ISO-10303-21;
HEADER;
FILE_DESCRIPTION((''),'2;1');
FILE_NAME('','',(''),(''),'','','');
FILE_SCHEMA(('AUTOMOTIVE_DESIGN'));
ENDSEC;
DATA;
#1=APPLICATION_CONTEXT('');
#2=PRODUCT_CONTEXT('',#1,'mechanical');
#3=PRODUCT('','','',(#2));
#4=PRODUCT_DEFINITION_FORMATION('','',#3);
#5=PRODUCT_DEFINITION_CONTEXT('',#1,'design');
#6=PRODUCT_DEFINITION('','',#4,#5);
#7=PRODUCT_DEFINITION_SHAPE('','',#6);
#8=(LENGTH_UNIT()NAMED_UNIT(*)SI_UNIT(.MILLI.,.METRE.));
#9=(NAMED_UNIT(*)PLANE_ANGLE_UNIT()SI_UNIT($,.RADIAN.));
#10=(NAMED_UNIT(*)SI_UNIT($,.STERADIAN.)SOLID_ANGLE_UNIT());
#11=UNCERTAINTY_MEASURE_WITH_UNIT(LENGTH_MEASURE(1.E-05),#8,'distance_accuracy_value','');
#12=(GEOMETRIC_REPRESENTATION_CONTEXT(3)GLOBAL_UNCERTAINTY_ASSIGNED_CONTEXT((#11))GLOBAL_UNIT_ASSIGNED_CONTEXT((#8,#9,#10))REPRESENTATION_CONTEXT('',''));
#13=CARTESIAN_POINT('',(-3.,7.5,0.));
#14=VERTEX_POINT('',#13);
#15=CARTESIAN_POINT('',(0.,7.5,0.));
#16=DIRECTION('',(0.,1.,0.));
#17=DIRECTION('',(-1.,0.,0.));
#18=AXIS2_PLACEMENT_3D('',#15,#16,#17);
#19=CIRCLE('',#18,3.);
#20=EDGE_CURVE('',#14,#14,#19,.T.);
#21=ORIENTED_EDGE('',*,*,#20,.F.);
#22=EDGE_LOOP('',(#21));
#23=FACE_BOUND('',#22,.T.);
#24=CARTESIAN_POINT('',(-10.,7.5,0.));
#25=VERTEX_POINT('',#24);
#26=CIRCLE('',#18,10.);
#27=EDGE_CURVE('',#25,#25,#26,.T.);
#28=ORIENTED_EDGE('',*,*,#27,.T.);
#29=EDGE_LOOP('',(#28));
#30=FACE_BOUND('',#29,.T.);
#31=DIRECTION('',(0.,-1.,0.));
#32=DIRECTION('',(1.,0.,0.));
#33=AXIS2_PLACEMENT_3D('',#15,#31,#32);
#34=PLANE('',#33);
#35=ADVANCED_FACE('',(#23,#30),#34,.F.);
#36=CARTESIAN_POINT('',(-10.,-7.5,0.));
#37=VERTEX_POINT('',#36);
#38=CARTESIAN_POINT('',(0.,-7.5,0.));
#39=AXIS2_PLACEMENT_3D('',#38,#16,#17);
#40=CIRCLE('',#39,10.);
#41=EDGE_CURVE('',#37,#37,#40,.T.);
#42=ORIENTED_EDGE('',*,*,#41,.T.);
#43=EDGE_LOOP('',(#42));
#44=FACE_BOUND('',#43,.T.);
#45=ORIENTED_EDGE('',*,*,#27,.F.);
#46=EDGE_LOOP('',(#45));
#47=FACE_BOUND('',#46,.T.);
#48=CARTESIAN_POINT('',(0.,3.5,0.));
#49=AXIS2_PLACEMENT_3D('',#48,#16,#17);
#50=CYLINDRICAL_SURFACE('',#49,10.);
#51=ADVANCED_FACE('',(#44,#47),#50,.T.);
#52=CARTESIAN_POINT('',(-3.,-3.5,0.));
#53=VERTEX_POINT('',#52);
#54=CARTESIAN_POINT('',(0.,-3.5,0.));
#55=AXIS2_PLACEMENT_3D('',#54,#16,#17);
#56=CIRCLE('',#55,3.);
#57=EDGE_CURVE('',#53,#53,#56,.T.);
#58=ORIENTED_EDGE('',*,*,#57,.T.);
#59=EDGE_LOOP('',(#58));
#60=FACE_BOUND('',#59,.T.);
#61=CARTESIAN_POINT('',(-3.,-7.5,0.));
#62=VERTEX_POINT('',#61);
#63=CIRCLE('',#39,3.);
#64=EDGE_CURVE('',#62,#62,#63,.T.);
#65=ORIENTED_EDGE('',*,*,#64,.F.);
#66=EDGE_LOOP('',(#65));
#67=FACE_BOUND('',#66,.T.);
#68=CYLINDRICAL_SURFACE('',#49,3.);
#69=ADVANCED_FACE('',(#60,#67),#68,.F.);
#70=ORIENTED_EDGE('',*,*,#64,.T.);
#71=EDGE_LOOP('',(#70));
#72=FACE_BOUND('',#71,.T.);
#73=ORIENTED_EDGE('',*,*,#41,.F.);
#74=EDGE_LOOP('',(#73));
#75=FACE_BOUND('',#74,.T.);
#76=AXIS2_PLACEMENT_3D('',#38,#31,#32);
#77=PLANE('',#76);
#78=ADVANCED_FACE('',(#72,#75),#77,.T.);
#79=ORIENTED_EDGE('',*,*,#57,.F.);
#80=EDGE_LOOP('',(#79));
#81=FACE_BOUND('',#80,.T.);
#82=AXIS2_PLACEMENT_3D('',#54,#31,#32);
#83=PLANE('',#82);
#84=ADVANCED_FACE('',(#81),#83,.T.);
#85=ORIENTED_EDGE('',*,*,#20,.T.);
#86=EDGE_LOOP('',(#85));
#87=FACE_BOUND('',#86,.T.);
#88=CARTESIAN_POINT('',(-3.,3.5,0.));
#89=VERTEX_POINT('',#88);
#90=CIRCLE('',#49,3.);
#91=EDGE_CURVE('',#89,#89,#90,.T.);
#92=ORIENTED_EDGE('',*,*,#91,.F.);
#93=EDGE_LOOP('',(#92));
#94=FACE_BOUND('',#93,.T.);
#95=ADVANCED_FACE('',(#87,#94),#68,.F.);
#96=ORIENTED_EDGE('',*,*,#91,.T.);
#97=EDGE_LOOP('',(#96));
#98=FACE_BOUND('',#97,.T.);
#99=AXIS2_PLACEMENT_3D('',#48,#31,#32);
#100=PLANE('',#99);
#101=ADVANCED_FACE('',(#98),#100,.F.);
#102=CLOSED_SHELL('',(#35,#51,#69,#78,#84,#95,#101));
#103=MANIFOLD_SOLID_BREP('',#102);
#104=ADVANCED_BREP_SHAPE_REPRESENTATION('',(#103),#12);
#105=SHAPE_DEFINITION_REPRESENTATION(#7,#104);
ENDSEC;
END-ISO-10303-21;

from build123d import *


with BuildPart() as part:
    # 草图1 → 旋转3 (revolve)
    with BuildSketch(Plane.XY, mode=Mode.PRIVATE) as revolve_3_sk:
        Polygon((0, 3.5), (0, 0), (10, 0), (10, 7.5), (3, 7.5), (3, 3.5), align=None)
        Polygon((10, 0), (0, 0), (0, -3.5), (3, -3.5), (3, -7.5), (10, -7.5), align=None)
    revolve(revolve_3_sk.sketch.rotate(Axis((0, 3.5, 0), (0, -1, 0)), 180), axis=Axis((0, 3.5, 0), (0, -1, 0)))


solid = part.part
